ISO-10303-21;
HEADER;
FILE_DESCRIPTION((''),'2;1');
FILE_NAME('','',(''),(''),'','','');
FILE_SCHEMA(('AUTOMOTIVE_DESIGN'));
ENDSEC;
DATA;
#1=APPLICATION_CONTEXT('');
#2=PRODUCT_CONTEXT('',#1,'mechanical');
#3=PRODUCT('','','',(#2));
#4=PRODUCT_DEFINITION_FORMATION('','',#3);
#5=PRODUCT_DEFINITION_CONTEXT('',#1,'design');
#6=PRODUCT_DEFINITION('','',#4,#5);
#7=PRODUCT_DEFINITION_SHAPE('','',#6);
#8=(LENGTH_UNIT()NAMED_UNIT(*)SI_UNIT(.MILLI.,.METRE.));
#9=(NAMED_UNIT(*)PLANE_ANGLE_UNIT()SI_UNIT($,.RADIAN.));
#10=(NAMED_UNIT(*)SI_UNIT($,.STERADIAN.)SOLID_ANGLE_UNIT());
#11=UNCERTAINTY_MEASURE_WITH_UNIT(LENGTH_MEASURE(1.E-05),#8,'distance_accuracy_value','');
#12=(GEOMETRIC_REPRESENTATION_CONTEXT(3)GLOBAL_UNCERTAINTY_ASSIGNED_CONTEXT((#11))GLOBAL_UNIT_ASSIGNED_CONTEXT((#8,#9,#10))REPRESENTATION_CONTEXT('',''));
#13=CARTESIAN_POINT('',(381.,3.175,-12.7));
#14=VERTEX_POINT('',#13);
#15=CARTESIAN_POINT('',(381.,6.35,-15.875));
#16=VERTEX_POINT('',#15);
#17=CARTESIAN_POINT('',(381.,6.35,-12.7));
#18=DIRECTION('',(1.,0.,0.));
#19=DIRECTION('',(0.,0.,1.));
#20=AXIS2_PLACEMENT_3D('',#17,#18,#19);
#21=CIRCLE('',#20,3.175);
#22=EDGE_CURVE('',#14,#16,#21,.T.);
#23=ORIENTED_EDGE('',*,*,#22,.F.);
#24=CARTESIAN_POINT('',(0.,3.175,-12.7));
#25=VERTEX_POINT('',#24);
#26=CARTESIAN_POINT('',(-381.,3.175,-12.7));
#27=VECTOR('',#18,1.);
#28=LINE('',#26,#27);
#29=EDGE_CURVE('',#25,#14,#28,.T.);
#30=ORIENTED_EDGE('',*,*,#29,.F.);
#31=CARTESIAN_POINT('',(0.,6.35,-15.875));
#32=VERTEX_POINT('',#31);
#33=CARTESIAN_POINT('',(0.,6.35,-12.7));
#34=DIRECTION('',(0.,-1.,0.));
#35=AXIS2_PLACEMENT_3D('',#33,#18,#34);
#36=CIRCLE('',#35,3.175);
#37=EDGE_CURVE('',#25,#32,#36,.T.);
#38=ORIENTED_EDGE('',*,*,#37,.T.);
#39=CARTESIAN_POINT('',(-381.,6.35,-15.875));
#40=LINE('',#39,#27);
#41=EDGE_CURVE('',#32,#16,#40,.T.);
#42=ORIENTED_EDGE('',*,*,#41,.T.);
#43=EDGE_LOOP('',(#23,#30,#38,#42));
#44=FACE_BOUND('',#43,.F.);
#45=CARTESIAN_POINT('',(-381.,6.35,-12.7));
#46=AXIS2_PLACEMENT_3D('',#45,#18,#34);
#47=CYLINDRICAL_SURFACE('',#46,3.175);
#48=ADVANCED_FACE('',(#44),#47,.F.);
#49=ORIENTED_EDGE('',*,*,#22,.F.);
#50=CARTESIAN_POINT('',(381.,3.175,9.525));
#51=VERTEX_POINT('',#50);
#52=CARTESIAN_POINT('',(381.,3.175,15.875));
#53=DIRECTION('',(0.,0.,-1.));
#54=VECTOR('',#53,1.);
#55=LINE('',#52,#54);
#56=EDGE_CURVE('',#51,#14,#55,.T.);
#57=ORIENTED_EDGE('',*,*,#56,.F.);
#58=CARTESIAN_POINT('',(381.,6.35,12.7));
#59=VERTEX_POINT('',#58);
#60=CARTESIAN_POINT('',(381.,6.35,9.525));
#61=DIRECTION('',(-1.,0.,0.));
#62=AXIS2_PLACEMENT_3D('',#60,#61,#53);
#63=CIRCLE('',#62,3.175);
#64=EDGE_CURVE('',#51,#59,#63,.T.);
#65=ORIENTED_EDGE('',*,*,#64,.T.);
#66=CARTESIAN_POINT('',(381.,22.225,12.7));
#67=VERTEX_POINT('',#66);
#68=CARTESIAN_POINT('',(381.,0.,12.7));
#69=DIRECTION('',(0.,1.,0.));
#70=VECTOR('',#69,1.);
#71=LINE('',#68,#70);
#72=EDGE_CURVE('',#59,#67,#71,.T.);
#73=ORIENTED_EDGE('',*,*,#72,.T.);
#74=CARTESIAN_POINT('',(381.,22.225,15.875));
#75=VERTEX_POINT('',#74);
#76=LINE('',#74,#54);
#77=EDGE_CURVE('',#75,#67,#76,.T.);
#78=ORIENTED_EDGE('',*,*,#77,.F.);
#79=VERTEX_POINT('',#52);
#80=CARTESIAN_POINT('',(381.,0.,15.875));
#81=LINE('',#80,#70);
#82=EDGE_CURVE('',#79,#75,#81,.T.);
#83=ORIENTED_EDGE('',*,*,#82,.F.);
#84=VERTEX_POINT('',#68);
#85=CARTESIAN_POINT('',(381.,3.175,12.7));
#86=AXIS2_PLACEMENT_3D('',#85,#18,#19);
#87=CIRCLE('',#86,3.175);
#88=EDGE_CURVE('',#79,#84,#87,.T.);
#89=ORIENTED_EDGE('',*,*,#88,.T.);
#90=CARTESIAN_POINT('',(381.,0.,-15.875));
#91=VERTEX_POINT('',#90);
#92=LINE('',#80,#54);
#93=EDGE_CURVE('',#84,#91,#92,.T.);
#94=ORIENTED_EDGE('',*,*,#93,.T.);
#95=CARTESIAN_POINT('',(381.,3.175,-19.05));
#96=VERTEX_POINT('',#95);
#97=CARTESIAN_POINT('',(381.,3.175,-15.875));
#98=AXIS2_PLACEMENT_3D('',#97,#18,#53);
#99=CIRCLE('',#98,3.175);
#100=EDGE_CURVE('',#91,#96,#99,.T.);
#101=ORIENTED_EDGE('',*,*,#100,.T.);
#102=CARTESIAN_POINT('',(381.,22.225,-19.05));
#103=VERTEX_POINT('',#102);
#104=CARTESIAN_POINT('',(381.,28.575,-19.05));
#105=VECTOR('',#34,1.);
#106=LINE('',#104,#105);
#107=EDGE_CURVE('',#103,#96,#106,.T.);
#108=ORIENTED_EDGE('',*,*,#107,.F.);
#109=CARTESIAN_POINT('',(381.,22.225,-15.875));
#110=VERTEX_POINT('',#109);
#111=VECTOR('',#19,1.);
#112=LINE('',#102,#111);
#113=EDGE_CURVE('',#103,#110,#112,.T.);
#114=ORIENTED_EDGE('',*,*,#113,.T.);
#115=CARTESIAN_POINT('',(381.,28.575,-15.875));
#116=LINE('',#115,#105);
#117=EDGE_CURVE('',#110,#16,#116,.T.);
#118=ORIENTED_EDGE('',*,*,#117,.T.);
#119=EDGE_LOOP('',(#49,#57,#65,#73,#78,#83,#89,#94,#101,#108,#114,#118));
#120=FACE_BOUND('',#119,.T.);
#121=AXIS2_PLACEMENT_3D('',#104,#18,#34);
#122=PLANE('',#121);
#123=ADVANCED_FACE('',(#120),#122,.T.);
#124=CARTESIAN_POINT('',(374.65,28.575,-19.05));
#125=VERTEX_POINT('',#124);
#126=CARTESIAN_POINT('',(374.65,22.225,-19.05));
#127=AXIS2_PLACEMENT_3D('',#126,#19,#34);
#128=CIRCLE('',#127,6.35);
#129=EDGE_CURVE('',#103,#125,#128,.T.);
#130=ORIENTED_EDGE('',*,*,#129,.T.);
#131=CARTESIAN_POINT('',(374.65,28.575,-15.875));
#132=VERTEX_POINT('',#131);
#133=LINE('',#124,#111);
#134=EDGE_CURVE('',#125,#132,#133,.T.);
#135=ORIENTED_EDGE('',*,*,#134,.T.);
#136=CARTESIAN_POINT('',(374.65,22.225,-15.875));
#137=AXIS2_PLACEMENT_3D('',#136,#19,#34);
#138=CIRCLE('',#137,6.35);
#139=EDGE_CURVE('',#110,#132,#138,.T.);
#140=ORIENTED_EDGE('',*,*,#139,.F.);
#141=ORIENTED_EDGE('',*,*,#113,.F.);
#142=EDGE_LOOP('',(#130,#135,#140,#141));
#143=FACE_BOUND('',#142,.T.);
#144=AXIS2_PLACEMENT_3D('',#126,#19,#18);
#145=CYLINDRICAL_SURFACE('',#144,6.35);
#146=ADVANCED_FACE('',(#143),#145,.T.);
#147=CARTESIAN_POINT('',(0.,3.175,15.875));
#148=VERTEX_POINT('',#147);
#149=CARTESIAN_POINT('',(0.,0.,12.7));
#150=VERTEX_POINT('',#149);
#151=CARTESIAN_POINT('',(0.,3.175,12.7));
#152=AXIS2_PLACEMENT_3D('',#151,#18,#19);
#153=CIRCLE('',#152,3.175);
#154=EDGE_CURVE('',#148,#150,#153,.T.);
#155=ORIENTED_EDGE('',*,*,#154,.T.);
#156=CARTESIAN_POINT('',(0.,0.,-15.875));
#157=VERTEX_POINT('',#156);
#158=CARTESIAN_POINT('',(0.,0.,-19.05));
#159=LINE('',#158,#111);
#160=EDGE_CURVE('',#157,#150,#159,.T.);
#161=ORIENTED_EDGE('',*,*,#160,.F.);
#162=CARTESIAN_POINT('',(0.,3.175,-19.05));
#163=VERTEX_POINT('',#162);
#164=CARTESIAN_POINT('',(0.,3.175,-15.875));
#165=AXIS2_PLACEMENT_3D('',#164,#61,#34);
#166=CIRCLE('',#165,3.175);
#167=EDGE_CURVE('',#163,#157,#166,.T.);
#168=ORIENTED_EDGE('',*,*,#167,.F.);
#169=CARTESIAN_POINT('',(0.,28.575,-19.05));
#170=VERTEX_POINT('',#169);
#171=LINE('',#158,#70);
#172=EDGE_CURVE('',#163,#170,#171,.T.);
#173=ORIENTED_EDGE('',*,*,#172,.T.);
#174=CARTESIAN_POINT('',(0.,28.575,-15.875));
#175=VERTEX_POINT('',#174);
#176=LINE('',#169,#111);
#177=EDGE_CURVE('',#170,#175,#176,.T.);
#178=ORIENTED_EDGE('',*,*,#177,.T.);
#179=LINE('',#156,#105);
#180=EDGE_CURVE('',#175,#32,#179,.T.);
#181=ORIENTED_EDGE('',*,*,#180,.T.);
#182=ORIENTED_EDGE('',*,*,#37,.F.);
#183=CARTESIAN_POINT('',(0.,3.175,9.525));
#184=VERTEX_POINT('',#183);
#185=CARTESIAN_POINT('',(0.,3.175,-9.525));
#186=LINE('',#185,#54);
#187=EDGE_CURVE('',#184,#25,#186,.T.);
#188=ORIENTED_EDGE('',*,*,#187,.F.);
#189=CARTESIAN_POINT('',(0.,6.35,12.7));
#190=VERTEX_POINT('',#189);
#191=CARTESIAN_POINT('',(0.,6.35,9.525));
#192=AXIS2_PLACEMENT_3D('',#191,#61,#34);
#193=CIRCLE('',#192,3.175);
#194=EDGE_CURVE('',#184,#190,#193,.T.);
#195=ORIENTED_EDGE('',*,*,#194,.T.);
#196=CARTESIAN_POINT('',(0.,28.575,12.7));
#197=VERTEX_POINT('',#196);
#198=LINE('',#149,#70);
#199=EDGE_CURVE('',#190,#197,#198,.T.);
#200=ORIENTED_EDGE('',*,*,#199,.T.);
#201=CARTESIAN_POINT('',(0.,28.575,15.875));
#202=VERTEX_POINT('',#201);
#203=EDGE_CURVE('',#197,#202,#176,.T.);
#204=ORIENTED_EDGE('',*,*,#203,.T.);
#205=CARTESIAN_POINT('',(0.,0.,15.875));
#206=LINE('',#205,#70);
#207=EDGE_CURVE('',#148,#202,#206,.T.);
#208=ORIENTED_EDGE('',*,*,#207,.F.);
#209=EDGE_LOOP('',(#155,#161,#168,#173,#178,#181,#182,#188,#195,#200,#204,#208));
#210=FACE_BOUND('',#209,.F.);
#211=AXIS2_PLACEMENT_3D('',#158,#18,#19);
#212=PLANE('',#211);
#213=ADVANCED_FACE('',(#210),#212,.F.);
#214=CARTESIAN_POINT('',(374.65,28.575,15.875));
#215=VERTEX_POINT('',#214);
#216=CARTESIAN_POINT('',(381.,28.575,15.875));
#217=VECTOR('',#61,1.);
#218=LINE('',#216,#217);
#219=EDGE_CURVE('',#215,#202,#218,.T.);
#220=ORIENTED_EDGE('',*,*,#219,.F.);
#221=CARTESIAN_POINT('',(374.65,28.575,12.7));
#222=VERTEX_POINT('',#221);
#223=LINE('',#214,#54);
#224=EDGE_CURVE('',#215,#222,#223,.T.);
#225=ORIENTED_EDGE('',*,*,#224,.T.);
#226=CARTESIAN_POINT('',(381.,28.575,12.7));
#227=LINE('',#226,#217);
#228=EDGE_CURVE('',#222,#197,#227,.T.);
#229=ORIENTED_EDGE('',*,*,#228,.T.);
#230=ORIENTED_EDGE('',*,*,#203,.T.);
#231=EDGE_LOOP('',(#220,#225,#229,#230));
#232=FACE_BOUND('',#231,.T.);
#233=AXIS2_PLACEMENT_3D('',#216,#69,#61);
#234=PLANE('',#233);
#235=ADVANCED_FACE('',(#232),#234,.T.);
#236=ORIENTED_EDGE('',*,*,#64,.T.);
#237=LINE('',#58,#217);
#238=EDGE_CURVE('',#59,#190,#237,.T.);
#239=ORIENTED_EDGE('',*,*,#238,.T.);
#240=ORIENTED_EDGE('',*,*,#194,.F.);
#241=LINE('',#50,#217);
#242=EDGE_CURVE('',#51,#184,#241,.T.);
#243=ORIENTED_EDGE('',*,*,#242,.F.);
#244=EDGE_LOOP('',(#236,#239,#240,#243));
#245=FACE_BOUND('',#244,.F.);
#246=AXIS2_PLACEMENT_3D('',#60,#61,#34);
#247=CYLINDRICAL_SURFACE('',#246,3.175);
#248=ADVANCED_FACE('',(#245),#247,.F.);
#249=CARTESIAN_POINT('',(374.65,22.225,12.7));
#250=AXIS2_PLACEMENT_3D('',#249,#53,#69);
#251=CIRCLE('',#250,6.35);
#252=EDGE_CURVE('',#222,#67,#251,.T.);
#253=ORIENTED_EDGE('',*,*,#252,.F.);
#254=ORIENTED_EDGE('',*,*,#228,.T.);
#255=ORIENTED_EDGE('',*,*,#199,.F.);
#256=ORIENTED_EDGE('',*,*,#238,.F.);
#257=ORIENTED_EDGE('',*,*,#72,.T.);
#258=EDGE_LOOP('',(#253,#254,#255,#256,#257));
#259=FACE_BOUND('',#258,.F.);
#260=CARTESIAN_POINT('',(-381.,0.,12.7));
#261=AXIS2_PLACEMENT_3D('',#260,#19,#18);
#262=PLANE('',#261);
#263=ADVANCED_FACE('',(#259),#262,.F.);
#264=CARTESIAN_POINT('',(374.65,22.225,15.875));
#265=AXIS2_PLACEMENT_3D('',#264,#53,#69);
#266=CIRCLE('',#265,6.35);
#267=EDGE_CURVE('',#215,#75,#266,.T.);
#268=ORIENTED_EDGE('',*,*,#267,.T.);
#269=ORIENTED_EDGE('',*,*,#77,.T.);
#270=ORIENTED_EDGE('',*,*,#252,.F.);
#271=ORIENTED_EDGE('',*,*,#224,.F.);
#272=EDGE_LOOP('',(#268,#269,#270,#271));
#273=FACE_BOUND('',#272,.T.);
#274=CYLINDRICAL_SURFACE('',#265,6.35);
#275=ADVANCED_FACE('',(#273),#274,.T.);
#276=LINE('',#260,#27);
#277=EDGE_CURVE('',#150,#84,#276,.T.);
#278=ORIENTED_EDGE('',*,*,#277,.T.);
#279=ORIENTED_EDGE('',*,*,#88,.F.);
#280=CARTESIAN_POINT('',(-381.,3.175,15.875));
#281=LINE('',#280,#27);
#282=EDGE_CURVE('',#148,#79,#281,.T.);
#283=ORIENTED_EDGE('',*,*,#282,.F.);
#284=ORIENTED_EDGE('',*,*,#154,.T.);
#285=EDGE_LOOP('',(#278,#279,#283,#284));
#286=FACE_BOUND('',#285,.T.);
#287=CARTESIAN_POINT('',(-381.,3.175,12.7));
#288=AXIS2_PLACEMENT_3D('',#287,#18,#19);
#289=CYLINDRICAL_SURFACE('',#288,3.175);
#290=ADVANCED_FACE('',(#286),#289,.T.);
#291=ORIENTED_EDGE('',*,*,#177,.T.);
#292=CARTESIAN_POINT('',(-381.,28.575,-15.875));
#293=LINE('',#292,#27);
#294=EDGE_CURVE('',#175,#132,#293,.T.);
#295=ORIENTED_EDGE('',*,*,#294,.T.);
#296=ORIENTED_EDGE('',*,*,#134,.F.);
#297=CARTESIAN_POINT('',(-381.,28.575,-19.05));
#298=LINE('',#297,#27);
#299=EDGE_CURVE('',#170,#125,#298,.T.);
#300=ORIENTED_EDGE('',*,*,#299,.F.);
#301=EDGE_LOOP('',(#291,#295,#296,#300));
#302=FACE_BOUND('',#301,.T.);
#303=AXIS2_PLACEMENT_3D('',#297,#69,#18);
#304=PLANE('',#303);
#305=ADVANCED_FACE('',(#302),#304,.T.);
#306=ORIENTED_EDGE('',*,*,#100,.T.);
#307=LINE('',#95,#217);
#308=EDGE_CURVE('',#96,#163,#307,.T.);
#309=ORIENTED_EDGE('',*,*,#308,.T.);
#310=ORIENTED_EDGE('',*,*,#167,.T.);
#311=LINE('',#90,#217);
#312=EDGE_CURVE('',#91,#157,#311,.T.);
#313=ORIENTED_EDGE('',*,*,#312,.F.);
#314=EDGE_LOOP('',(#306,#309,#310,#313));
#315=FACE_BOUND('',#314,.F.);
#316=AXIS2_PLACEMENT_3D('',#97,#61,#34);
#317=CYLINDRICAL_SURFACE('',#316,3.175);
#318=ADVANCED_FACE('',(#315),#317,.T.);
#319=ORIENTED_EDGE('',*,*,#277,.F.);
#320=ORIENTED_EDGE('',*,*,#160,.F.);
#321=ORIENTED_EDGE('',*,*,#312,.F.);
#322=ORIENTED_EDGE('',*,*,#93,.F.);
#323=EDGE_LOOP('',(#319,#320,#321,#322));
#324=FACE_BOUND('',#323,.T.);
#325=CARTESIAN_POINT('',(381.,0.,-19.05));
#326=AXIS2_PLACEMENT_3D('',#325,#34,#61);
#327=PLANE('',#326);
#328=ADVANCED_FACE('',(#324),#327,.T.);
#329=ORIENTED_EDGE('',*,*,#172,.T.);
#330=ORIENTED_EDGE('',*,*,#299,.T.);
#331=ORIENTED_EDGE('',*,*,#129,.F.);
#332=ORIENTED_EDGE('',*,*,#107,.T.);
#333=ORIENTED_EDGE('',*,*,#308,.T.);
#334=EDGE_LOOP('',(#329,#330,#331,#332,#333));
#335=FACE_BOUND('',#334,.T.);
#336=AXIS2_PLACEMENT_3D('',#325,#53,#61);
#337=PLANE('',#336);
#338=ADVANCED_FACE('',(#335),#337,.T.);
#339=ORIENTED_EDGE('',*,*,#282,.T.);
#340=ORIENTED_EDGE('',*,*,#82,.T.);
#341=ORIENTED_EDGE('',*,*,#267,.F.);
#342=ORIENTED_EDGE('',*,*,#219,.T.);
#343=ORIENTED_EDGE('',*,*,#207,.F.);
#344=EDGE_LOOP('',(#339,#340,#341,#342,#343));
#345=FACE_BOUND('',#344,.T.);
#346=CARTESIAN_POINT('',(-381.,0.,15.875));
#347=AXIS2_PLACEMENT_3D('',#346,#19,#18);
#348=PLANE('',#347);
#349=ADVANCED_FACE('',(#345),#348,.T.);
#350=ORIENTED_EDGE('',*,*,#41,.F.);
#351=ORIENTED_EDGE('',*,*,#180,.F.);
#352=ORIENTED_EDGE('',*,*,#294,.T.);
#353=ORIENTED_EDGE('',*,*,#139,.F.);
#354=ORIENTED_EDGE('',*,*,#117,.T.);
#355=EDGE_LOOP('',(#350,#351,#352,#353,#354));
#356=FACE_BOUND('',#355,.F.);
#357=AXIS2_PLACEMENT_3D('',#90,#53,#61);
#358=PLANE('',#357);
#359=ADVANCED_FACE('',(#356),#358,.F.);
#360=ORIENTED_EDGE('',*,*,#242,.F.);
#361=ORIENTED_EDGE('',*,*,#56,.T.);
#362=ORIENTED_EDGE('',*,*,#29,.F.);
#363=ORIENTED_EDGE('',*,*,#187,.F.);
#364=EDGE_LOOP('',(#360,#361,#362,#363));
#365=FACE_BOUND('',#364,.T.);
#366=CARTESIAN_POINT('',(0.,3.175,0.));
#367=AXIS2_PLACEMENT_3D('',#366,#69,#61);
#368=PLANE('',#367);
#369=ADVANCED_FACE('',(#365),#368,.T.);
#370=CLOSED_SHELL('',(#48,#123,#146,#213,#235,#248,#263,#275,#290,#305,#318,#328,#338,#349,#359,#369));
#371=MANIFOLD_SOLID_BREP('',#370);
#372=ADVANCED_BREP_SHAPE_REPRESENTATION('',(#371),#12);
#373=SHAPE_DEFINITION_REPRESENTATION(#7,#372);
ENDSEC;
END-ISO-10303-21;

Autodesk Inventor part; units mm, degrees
ref_plane "YZ Plane" through (0, 0, 0) normal (1, 0, 0) x (0, 1, 0)
ref_plane "XZ Plane" through (0, 0, 0) normal (0, 1, 0) x (-1, 0, 0)
ref_plane "XY Plane" through (0, 0, 0) normal (0, 0, 1) x (1, 0, 0)
sketch "Sketch1" plane through (0, 0, 0) normal (0, 1, 0) x (-1, 0, 0)
  point P0 (0, 0)
sketch "Sketch2" plane through (0, 0, 0) normal (0, 1, 0) x (-1, 0, 0)
  line L0 (381, 15.875) -> (-381, 15.875)
  line L1 (-381, 15.875) -> (-381, -15.875)
  line L2 (-381, -15.875) -> (381, -15.875)
  line L3 (381, -15.875) -> (381, 15.875)
  point P0 (0, 0)
  dimension "d2" = 762
  dimension "d3" = 31.75
extrude "Extrusion1" add sketch "Sketch2" along normal blind 3.175
sketch "Sketch3" plane through (381, 0, -15.875) normal (0, 0, -1) x (-1, 0, 0)
  point P0 (381, 0)
sketch "Sketch4" plane through (0, 0, 0) normal (0, -1, 0) x (1, 0, 0)
  point P0 (0, 0)
sketch "Sketch5" plane through (0, 0, 0) normal (0, -1, 0) x (1, 0, 0)
  line L0 (381, -15.875) -> (-381, -15.875)
  line L1 (-381, -15.875) -> (-381, -19.05)
  line L2 (-381, -19.05) -> (381, -19.05)
  line L3 (381, -19.05) -> (381, -15.875)
  point P0 (0, 0)
  dimension "d6" = 762
  dimension "d7" = 3.175
extrude "Extrusion2" add sketch "Sketch5" against normal blind 3.175
sketch "Sketch6" plane through (-381, 0, 15.875) normal (0, 0, 1) x (1, 0, 0)
  line L0 (0, 0) -> (762, 0)
  line L1 (762, 0) -> (762, 28.575)
  line L2 (762, 28.575) -> (0, 28.575)
  line L3 (0, 28.575) -> (0, 0)
  point P0 (381, 0)
  dimension "d10" = 762
  dimension "d11" = 28.575
sketch "Sketch7" plane through (0, 3.175, 0) normal (0, 1, 0) x (1, 0, 0)
  line L0 (-381, -15.875) -> (381, -15.875)
  line L1 (381, -15.875) -> (381, -12.7)
  line L2 (381, -12.7) -> (-381, -12.7)
  line L3 (-381, -12.7) -> (-381, -15.875)
  point P0 (0, 0)
  dimension "d12" = 762
  dimension "d13" = 3.175
extrude "Extrusion3" cut sketch "Sketch7" against normal blind 3.175
extrude "Extrusion4" add sketch "Sketch6" against normal blind 3.175
sketch "Sketch8" plane through (0, 3.175, 0) normal (0, 1, 0) x (1, 0, 0)
  point P0 (0, 0)
sketch "Sketch9" plane through (381, 0, -19.05) normal (0, 0, -1) x (-1, 0, 0)
  line L0 (0, 0) -> (762, 0)
  line L1 (762, 0) -> (762, 28.575)
  line L2 (762, 28.575) -> (0, 28.575)
  line L3 (0, 28.575) -> (0, 0)
  point P0 (381, 0)
  dimension "d18" = 762
  dimension "d19" = 28.575
sketch "Sketch10" plane through (0, 3.175, 0) normal (0, 1, 0) x (1, 0, 0)
  line L0 (381, 19.05) -> (-381, 19.05)
  line L1 (-381, 19.05) -> (-381, 15.875)
  line L2 (-381, 15.875) -> (381, 15.875)
  line L3 (381, 15.875) -> (381, 19.05)
  point P0 (0, 0)
  dimension "d20" = 762
  dimension "d21" = 3.175
extrude "Extrusion5" cut sketch "Sketch10" against normal blind 3.175
extrude "Extrusion6" add sketch "Sketch9" against normal blind 3.175
fillet "Fillet1" radius 3.175 1 edges at (0, 3.175, 12.7)
fillet "Fillet2" radius 3.175 1 edges at (0, 3.175, -15.875)
fillet "Fillet3" radius 3.175 1 edges at (0, 0, 15.875)
fillet "Fillet4" radius 3.175 1 edges at (0, 0, -19.05)
fillet "Fillet5" radius 6.35 1 edges at (-381, 28.575, -17.4625)
fillet "Fillet6" radius 6.35 1 edges at (-381, 28.575, 14.2875)
fillet "Fillet7" radius 6.35 1 edges at (381, 28.575, 14.2875)
fillet "Fillet8" radius 6.35 1 edges at (381, 28.575, -17.4625)
sketch "Sketch11" plane through (0, 3.175, 0) normal (0, 1, 0) x (1, 0, 0)
  point P0 (0, 0)
sketch "Sketch12" plane through (0, 0, 0) normal (0, -1, 0) x (1, 0, 0)
  line L0 (374.65, 15.875) -> (-374.65, 15.875) projected
  line L1 (0, 15.875) -> (-381, 15.875)
  line L2 (-381, 15.875) -> (-381, -19.05)
  line L3 (-381, -19.05) -> (0, -19.05)
  line L4 (0, -19.05) -> (0, 15.875)
  point P0 (0, 0)
extrude "Extrusion7" cut sketch "Sketch12" against normal blind 28.575
properties part number "alignmentWheelsBar"
